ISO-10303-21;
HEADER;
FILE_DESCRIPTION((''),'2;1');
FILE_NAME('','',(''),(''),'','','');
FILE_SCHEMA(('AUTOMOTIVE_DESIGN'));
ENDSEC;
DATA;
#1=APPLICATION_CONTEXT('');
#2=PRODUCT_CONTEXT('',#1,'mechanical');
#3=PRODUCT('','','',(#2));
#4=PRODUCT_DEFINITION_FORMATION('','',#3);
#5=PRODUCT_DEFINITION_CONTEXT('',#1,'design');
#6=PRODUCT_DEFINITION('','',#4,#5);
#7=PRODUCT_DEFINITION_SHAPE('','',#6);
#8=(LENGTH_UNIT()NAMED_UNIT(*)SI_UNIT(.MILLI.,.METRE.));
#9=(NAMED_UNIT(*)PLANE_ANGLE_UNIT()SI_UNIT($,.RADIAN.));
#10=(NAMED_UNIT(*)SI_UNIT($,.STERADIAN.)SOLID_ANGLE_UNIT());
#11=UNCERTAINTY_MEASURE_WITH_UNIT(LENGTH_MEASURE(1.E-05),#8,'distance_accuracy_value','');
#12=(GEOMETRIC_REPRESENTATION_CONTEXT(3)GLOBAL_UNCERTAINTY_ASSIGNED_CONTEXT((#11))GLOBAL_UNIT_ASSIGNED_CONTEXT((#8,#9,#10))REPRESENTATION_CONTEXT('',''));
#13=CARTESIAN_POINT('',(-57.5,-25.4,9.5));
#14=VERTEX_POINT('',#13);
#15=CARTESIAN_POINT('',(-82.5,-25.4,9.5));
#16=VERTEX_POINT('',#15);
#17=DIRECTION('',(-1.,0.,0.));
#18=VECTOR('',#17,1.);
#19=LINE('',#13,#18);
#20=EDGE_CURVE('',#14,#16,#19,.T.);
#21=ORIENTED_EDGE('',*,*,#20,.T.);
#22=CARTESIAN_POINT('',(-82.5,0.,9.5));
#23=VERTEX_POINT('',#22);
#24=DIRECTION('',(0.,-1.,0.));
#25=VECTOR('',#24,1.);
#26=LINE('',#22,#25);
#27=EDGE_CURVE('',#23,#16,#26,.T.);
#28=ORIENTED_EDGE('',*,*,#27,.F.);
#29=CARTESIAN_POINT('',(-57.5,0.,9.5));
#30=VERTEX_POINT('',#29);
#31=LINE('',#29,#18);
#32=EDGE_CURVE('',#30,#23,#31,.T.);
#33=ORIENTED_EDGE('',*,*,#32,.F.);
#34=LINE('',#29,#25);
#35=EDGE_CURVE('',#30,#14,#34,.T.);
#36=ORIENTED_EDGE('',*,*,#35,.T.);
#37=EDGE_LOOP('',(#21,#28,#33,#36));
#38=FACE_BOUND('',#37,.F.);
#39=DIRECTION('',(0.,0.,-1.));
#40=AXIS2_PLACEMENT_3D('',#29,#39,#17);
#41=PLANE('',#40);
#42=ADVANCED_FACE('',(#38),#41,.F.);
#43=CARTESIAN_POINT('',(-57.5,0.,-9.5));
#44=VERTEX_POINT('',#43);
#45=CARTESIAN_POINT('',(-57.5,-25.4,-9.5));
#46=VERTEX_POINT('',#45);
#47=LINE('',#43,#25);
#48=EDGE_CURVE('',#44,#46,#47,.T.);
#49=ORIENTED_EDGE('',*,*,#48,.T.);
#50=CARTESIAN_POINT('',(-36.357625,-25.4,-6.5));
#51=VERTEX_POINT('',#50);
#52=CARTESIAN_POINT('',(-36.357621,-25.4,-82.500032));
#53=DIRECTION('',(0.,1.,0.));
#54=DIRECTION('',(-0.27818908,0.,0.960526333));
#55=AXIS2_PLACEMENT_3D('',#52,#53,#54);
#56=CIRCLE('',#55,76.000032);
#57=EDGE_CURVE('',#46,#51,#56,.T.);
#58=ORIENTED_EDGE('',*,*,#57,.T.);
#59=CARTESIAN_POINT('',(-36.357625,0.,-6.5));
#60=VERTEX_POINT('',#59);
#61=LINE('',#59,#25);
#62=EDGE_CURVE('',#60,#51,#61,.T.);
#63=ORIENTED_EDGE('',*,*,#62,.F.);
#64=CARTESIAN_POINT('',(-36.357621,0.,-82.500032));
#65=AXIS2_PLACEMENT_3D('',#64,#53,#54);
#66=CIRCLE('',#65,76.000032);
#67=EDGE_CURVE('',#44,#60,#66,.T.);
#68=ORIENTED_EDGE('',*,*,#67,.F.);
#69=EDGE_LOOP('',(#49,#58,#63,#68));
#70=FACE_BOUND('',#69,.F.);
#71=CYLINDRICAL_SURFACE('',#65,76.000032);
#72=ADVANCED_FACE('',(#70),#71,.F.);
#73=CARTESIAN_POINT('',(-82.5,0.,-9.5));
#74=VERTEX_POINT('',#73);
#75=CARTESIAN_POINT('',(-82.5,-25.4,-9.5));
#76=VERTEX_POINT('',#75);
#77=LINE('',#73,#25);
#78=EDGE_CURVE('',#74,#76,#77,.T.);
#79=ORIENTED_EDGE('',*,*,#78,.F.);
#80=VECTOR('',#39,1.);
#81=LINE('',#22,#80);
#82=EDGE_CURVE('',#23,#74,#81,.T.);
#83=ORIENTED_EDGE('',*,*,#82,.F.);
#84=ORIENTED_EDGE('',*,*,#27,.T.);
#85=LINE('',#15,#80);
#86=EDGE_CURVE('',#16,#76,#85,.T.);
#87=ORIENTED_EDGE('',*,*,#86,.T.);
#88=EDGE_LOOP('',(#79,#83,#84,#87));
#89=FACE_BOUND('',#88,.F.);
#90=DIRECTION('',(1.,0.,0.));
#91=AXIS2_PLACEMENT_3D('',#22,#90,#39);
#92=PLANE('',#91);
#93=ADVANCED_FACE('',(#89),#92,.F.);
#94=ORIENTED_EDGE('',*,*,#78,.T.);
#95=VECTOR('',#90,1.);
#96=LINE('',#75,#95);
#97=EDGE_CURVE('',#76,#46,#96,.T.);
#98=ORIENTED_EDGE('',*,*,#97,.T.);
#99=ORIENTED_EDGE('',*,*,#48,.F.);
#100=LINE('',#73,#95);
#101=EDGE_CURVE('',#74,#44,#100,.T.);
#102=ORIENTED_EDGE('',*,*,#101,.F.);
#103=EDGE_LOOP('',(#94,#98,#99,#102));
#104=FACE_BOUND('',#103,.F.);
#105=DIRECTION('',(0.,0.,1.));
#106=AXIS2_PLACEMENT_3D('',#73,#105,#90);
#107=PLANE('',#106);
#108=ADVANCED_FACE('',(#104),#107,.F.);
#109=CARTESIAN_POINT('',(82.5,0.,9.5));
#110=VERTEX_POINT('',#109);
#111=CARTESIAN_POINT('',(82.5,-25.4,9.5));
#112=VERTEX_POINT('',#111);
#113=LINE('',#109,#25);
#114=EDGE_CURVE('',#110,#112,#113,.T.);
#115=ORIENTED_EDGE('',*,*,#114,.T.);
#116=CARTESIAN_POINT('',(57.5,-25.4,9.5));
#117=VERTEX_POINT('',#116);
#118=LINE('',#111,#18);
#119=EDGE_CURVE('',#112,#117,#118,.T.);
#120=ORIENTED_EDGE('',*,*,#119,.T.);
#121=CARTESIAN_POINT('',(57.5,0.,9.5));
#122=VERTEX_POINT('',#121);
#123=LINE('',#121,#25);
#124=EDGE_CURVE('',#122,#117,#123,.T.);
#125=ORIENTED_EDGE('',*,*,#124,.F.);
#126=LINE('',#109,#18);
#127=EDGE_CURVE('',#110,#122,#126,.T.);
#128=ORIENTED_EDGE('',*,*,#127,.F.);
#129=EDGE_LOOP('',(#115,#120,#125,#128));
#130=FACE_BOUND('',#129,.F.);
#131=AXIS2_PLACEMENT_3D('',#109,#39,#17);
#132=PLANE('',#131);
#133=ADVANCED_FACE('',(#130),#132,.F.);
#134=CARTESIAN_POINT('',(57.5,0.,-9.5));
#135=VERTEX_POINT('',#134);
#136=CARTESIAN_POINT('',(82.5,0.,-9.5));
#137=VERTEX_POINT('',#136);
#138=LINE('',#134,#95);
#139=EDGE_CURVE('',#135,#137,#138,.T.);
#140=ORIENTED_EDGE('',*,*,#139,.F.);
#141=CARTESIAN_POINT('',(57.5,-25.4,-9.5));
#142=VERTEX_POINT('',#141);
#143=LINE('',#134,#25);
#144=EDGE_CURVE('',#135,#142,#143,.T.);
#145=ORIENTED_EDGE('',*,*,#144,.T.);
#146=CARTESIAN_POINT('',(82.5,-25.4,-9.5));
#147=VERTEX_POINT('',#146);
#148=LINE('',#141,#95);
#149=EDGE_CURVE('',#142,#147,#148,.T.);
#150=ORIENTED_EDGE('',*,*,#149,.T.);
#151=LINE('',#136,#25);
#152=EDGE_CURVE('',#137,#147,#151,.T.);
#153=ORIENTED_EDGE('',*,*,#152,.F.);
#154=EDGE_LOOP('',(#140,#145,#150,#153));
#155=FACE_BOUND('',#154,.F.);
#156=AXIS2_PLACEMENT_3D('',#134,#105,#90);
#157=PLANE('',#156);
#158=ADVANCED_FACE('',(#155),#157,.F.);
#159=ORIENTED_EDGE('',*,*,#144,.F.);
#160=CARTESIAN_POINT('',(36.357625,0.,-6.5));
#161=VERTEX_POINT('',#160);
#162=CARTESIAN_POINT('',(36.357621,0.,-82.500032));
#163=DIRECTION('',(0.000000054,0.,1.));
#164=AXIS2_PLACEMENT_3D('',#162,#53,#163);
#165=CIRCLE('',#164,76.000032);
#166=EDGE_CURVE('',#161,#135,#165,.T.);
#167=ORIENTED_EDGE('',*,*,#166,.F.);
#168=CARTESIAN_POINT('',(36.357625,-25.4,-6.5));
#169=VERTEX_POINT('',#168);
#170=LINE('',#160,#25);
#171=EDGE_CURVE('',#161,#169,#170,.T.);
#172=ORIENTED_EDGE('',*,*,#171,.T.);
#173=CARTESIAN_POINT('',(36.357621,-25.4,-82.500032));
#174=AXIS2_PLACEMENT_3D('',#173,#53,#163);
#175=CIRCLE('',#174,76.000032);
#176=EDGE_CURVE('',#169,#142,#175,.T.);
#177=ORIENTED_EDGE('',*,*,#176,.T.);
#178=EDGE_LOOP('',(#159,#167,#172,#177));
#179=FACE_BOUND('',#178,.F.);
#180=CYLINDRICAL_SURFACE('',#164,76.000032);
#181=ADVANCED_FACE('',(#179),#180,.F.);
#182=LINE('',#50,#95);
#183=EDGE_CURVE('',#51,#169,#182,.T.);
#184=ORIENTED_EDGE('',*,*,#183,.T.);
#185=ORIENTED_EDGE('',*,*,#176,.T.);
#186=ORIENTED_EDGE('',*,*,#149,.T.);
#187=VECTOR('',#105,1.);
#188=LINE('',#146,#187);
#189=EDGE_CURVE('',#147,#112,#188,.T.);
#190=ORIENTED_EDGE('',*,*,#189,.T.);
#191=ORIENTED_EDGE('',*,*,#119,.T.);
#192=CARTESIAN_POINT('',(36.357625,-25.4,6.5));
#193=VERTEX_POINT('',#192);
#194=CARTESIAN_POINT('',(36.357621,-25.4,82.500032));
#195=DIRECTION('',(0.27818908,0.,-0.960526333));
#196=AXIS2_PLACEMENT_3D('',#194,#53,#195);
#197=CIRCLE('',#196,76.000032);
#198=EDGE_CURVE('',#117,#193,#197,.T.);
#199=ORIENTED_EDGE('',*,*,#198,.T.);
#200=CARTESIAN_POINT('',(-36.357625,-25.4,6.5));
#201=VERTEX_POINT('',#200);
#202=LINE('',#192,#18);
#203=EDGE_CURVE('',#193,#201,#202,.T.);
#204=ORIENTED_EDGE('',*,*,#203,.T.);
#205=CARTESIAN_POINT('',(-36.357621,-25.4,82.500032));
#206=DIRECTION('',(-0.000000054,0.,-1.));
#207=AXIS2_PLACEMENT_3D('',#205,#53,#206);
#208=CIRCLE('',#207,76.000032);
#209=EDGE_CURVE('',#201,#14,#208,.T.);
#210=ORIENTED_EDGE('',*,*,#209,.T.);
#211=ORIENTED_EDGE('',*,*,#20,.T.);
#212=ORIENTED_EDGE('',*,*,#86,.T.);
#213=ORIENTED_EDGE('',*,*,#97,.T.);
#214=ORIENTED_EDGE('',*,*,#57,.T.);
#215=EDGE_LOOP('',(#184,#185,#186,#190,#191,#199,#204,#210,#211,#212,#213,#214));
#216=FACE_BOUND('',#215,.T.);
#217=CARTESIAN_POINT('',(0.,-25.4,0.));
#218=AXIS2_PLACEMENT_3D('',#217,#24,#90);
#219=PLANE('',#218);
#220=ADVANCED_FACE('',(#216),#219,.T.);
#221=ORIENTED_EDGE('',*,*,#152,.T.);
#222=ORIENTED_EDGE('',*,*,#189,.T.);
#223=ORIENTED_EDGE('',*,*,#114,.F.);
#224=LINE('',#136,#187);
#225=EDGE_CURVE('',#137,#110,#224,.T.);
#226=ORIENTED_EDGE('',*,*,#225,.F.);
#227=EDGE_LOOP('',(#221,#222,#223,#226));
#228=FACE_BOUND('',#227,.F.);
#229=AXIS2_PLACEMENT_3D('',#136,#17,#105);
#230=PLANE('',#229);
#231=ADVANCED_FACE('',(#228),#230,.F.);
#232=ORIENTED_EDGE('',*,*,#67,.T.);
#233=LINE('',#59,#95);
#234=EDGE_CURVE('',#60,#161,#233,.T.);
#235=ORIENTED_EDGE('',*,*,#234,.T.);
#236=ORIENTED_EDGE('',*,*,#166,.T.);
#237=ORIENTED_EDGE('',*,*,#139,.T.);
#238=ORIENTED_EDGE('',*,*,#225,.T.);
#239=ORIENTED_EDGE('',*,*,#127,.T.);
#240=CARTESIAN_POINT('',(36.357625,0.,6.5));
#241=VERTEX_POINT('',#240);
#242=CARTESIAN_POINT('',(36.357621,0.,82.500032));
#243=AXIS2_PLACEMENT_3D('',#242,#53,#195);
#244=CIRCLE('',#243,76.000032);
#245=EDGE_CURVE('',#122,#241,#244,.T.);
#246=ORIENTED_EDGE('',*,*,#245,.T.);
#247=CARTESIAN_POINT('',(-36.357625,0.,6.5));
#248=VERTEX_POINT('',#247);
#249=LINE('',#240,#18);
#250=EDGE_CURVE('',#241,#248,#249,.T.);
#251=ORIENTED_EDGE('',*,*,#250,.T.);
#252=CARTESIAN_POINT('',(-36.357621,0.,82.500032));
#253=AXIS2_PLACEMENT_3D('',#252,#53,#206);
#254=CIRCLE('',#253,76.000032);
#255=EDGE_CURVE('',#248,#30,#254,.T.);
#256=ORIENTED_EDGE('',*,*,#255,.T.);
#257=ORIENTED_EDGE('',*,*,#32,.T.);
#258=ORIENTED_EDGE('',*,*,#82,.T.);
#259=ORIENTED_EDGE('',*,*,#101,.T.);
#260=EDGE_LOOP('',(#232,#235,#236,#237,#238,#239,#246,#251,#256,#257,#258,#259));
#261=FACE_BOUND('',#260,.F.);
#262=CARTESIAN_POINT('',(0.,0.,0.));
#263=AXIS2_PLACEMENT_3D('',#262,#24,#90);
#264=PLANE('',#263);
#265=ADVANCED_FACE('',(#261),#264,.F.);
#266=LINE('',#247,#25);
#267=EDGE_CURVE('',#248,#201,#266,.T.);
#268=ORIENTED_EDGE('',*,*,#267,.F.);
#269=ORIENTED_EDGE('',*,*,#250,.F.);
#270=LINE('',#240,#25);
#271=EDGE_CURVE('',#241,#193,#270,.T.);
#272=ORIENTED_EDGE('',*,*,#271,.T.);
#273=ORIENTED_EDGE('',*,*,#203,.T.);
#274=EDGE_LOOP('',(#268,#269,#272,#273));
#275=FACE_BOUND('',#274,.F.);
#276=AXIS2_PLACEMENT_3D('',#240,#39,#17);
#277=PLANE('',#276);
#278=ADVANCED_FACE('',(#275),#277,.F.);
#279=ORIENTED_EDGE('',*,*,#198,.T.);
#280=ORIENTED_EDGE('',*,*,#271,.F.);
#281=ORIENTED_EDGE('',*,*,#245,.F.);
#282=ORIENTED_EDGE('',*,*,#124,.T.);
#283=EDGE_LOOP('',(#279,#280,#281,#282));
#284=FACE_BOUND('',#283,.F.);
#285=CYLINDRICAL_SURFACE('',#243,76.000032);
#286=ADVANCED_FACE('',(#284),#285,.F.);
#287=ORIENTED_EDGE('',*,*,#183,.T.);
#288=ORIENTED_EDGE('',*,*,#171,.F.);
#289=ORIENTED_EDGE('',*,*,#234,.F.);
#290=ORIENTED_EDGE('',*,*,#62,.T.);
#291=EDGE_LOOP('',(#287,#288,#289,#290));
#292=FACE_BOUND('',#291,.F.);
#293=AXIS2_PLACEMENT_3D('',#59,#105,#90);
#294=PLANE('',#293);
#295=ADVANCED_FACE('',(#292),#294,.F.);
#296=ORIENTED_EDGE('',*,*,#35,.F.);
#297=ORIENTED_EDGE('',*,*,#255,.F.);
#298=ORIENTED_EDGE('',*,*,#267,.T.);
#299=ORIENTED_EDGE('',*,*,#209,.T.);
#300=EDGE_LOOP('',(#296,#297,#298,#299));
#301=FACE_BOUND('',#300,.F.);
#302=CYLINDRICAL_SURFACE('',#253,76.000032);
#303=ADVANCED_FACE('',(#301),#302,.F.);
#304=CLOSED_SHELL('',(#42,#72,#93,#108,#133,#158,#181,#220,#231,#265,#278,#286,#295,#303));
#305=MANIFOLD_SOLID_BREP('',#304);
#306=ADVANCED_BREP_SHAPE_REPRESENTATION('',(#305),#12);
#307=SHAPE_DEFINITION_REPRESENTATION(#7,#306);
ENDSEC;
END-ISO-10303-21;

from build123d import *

# Parameters (mm, degrees)
F1_DEPTH = 25.4


with BuildPart() as f1:
    # F0 (on Front) → F1 (new body)
    with BuildSketch(Plane.XZ):
        with BuildLine():
            Line((36.357625, 6.5), (0, 6.5))
            Line((0, 6.5), (-36.357625, 6.5))
            ThreePointArc((-36.357625, 6.5), (-47.034704, 7.253738), (-57.5, 9.5))
            Line((-57.5, 9.5), (-82.5, 9.5))
            Line((-82.5, 9.5), (-82.5, -9.5))
            Line((-82.5, -9.5), (-57.5, -9.5))
            ThreePointArc((-57.5, -9.5), (-47.034704, -7.253738), (-36.357625, -6.5))
            Line((-36.357625, -6.5), (0, -6.5))
            Line((0, -6.5), (36.357625, -6.5))
            ThreePointArc((36.357625, -6.5), (47.034704, -7.253738), (57.5, -9.5))
            Line((57.5, -9.5), (82.5, -9.5))
            Line((82.5, -9.5), (82.5, 9.5))
            Line((82.5, 9.5), (57.5, 9.5))
            ThreePointArc((57.5, 9.5), (47.034704, 7.253738), (36.357625, 6.5))
        make_face()
    extrude(amount=F1_DEPTH)


solid = f1.part
